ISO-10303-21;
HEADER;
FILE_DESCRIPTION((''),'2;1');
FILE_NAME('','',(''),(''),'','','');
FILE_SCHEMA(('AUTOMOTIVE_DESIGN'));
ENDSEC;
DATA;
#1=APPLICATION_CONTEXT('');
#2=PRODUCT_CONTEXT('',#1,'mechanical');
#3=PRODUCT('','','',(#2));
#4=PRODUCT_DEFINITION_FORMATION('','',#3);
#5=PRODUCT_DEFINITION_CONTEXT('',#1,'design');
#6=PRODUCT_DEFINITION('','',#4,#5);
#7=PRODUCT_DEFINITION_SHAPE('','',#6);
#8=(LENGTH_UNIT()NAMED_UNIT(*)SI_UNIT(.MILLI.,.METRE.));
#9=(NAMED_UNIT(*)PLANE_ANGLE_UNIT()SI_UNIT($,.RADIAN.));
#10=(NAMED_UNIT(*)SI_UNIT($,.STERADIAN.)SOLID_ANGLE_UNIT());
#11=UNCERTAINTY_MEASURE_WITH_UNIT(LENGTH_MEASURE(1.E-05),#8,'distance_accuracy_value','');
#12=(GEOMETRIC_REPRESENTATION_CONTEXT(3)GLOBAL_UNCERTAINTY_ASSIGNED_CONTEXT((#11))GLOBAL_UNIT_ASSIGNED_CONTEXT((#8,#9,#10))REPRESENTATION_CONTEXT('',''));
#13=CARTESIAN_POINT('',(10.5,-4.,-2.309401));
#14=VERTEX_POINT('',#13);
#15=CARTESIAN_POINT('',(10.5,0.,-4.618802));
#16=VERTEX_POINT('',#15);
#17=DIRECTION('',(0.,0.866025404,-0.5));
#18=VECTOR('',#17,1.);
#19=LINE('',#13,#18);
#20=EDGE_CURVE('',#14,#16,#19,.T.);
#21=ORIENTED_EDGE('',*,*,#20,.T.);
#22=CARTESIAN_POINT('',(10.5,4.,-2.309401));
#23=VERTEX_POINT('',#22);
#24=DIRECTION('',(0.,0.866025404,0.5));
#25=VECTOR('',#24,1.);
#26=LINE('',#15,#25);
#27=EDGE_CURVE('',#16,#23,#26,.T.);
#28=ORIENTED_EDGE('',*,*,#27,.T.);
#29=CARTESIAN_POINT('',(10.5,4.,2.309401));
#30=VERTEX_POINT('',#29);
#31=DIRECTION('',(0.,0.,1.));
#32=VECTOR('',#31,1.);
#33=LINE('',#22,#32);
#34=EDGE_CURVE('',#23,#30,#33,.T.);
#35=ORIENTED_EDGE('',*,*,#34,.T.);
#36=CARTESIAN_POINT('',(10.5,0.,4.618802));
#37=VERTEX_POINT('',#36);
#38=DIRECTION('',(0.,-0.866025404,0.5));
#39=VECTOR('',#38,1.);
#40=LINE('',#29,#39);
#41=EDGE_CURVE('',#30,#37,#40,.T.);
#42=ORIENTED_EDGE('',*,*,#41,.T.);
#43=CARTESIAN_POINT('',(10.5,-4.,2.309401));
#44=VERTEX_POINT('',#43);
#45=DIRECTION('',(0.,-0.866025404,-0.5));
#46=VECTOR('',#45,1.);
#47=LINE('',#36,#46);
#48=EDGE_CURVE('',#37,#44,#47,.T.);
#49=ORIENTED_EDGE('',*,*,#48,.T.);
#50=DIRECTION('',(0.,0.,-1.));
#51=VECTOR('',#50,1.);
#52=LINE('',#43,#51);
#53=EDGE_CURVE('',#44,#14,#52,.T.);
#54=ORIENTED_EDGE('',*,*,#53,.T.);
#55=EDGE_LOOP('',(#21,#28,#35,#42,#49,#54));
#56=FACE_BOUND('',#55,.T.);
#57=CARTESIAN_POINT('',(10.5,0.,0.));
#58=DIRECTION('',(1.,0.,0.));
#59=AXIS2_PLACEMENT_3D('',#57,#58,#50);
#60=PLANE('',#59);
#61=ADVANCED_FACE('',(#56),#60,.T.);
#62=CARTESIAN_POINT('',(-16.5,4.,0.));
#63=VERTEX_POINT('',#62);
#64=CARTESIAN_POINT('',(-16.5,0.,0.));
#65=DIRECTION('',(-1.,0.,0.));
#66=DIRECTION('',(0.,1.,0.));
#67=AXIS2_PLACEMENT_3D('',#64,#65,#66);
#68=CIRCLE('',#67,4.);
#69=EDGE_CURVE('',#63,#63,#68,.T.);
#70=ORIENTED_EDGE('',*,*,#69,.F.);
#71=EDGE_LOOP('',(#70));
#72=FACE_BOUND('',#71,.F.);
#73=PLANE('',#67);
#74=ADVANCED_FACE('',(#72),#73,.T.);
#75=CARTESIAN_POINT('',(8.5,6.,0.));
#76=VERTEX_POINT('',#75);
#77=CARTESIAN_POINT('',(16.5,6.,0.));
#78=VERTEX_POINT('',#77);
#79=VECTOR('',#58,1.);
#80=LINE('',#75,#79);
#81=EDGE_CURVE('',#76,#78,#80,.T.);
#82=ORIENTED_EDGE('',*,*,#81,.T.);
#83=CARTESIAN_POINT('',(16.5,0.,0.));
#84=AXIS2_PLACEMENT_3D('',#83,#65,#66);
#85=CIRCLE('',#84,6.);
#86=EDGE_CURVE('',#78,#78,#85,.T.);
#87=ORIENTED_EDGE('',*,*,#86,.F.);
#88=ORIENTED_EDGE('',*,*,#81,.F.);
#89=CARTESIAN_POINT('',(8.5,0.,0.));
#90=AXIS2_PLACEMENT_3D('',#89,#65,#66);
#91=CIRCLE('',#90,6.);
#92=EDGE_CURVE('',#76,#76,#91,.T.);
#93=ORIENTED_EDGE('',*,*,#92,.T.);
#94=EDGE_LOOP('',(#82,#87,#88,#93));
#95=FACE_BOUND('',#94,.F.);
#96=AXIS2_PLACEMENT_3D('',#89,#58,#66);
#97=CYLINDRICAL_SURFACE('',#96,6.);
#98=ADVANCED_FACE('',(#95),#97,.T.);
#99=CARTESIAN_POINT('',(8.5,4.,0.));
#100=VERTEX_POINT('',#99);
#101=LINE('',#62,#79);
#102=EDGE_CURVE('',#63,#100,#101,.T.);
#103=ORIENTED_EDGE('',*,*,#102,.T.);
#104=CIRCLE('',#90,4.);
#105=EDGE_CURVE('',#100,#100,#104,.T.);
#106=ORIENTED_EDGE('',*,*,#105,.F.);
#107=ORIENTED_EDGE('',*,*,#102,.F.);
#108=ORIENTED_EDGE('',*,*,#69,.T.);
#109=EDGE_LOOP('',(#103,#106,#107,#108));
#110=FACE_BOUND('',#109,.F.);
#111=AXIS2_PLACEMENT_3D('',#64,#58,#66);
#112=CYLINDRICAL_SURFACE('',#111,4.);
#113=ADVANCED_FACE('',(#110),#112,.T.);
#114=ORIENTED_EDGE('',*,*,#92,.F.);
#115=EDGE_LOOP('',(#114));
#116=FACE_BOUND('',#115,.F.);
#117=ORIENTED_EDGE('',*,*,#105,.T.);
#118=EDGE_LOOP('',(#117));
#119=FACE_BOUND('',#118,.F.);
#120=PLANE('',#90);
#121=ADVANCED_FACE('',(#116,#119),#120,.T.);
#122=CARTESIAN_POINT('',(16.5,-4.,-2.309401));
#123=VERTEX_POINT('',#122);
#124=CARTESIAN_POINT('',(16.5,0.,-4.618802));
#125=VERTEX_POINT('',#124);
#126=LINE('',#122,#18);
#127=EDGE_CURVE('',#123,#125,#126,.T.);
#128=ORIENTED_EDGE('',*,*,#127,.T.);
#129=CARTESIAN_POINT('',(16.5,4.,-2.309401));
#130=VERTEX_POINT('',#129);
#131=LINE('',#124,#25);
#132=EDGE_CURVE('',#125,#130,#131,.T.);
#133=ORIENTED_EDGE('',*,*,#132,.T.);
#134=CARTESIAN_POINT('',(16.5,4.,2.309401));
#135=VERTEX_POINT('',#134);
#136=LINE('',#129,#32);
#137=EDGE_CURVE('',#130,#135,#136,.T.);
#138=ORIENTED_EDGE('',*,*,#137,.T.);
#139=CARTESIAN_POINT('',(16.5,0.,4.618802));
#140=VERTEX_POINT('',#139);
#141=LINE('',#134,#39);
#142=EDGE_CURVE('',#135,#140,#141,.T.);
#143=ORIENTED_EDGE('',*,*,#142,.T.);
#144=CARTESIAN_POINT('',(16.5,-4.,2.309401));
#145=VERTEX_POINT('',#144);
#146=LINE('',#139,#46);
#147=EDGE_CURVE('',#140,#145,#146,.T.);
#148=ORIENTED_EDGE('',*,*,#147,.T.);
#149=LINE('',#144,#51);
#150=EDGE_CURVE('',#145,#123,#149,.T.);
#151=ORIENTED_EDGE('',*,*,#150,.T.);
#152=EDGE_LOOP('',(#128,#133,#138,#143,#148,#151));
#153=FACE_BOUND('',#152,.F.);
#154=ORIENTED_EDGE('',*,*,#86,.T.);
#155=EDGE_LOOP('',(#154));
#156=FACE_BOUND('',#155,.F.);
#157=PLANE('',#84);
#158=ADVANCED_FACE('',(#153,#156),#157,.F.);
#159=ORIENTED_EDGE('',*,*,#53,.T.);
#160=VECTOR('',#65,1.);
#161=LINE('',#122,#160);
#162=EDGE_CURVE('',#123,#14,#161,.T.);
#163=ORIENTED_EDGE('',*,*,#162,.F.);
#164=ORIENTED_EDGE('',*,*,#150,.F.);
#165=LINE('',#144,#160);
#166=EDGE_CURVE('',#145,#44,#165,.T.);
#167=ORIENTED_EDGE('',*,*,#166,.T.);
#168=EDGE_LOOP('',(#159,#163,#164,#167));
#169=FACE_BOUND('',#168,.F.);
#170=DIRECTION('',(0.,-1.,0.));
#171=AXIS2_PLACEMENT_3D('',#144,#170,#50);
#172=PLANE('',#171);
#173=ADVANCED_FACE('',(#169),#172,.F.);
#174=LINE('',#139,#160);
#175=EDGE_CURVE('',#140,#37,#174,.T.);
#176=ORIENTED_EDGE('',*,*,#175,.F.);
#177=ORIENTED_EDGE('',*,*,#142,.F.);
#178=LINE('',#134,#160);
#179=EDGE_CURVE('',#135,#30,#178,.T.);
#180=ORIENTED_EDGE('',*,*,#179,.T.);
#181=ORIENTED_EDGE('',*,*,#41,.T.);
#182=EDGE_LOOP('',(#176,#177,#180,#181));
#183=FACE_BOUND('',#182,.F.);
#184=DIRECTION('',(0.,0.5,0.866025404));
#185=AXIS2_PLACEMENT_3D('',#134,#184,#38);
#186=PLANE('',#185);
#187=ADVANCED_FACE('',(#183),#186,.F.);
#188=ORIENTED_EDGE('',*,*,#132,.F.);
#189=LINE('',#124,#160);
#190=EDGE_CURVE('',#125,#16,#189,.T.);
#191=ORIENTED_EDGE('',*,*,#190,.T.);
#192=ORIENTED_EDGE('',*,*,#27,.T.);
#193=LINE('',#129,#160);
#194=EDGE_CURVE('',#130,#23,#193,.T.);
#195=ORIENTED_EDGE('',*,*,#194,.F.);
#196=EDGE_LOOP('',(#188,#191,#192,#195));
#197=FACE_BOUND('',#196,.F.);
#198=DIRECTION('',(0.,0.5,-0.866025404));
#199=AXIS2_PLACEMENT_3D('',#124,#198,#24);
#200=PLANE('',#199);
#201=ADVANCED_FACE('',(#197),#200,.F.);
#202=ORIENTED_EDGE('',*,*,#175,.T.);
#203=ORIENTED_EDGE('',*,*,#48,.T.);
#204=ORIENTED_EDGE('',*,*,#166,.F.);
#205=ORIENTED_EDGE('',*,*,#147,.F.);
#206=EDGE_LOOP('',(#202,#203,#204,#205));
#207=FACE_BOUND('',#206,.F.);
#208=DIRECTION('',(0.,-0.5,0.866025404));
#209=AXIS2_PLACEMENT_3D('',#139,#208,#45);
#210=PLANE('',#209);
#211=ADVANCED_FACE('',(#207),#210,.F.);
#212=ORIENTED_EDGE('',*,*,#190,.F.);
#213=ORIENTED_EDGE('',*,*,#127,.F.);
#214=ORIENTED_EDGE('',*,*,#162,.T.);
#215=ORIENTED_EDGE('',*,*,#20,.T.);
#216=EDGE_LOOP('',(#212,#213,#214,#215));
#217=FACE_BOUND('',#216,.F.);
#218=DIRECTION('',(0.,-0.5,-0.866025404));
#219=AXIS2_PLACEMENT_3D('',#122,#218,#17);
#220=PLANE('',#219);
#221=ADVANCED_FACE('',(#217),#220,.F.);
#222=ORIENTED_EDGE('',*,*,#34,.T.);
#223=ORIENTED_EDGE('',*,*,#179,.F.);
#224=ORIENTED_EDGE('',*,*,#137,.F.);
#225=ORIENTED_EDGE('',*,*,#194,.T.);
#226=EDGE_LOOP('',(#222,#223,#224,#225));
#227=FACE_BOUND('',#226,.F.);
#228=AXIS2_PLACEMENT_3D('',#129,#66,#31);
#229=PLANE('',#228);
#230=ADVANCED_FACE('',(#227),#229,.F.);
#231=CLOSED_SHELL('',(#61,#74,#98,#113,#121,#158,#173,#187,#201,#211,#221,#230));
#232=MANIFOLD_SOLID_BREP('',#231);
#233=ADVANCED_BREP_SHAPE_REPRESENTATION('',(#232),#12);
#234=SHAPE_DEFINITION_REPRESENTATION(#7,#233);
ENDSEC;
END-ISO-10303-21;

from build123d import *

# Parameters (mm, degrees)
CUT_EXTRUDE1_DEPTH = 6


with BuildPart() as part:
    # Sketch1 → Revolve1 (revolve)
    with BuildSketch(Plane.XY):
        Polygon((16.5, 0), (-16.5, 0), (-16.5, 4), (8.5, 4), (8.5, 6), (16.5, 6), align=None)
    revolve(axis=Axis((16.5, 0, 0), (-1, 0, 0)))

    # Sketch2 → Cut-Extrude1 (cut)
    with BuildSketch(Plane(origin=(16.5, 0, 0), x_dir=(0, 0, -1), z_dir=(1, 0, 0))):
        Polygon((4.618802154, 0), (2.309401077, 4), (-2.309401077, 4), (-4.618802154, 0), (-2.309401077, -4), (2.309401077, -4), align=None)
    extrude(amount=-CUT_EXTRUDE1_DEPTH, mode=Mode.SUBTRACT)


solid = part.part
